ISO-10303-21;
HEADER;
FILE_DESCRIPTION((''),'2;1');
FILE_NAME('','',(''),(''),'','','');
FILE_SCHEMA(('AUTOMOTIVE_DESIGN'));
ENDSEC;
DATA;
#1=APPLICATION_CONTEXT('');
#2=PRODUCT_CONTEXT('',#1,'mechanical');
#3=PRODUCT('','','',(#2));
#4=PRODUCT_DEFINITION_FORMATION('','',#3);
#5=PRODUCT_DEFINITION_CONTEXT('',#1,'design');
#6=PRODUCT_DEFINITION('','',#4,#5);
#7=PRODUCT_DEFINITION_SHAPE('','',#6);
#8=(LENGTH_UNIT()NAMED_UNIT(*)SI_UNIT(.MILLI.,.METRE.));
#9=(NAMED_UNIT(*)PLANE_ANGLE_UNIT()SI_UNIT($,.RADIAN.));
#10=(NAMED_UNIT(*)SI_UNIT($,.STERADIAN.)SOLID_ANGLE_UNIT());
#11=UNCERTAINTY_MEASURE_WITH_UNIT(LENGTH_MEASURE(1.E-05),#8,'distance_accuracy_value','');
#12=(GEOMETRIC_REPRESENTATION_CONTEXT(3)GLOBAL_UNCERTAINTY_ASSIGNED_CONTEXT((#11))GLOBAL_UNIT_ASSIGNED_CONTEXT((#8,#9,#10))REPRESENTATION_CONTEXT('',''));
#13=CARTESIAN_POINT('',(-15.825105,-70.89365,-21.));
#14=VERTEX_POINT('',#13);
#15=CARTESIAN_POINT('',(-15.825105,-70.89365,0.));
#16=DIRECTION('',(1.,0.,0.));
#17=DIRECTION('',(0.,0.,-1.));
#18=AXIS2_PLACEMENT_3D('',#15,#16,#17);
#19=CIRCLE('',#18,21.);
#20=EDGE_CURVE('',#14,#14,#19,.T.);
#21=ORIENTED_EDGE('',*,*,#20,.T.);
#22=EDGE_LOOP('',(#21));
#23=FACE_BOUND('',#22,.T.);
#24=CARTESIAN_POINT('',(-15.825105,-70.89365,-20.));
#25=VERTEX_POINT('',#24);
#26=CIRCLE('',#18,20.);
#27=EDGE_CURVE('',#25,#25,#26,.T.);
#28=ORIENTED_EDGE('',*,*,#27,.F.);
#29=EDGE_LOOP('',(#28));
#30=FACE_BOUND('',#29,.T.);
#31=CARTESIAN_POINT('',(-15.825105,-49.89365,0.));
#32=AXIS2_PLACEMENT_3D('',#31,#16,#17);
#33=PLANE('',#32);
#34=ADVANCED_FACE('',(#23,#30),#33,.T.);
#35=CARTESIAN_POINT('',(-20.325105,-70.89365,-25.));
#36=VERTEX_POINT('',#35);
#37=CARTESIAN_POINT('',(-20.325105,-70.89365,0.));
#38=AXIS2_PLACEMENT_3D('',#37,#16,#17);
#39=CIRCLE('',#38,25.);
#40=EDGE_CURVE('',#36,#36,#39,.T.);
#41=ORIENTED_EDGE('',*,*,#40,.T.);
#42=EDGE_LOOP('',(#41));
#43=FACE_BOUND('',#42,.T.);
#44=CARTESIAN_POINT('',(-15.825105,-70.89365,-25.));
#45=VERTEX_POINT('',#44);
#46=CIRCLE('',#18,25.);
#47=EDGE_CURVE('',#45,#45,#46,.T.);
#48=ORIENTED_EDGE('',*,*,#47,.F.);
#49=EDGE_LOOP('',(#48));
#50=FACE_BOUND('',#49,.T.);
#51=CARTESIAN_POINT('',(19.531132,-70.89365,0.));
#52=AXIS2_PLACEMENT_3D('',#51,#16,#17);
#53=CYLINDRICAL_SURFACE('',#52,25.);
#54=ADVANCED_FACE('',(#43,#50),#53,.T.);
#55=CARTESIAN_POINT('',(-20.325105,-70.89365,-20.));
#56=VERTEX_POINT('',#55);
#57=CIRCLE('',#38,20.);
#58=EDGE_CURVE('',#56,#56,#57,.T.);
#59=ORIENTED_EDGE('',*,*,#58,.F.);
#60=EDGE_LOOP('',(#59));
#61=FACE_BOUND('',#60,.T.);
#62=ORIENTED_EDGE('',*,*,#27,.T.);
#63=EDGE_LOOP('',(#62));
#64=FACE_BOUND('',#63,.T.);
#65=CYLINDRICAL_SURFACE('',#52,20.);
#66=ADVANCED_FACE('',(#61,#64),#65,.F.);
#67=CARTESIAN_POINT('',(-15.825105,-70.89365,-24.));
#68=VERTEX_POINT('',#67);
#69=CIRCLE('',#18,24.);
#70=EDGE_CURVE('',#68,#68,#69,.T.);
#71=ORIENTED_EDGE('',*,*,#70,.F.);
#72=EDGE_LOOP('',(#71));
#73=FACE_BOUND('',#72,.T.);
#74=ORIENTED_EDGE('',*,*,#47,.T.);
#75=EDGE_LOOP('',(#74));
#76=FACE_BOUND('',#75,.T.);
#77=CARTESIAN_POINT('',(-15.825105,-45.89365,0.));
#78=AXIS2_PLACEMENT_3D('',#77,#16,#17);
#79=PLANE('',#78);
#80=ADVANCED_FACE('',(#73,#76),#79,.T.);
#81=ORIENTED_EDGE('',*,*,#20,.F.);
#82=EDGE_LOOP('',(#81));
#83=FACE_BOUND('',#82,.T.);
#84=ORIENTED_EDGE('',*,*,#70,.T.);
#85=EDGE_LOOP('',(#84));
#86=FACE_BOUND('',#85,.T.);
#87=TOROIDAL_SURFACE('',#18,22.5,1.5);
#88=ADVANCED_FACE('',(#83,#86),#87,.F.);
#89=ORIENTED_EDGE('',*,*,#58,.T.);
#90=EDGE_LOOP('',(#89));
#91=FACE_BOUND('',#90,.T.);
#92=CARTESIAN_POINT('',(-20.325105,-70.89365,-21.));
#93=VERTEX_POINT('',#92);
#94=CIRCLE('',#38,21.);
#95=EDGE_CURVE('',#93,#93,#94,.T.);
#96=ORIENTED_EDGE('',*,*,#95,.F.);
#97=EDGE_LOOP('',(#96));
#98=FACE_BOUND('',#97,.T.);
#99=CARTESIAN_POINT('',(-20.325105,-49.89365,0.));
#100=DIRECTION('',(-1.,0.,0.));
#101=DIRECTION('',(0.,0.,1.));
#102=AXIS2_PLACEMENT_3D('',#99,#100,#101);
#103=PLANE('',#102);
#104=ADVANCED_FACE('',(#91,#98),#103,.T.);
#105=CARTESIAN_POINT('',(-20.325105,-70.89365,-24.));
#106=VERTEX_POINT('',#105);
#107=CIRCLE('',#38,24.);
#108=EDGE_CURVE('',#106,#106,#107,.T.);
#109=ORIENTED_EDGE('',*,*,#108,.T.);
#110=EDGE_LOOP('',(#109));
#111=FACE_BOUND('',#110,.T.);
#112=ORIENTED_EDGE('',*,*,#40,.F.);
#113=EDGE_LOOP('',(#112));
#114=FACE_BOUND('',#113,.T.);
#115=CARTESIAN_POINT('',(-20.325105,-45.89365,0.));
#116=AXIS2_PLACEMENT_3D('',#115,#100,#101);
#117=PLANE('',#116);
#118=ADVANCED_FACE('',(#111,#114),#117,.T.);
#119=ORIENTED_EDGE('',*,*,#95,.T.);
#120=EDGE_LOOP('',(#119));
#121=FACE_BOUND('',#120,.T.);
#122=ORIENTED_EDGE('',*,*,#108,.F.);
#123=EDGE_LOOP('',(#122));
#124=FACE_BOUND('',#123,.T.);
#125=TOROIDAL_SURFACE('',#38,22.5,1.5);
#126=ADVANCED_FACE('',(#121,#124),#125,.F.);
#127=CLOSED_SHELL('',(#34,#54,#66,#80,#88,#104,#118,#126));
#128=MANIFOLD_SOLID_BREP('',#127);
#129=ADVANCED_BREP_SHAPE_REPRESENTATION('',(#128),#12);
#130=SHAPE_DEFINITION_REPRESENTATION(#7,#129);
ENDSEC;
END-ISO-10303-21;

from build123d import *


with BuildPart() as part:
    # Szkic1 → Obrót1 (revolve)
    with BuildSketch(Plane.XY, mode=Mode.PRIVATE) as obr_t1_sk:
        with BuildLine():
            Line((-15.825105288, -45.893649888), (-20.325105288, -45.893649888))
            Line((-20.325105288, -45.893649888), (-20.325105288, -46.893649888))
            ThreePointArc((-20.325105288, -46.893649888), (-18.825105288, -48.393649888), (-20.325105288, -49.893649888))
            Line((-20.325105288, -49.893649888), (-20.325105288, -50.893649888))
            Line((-20.325105288, -50.893649888), (-15.825105288, -50.893649888))
            Line((-15.825105288, -50.893649888), (-15.825105288, -49.893649888))
            ThreePointArc((-15.825105288, -49.893649888), (-17.325105288, -48.393649888), (-15.825105288, -46.893649888))
            Line((-15.825105288, -46.893649888), (-15.825105288, -45.893649888))
        make_face()
    revolve(obr_t1_sk.sketch.rotate(Axis((19.531131842, -70.893649888, 0), (-1, 0, 0)), 90), axis=Axis((19.531131842, -70.893649888, 0), (-1, 0, 0)))


solid = part.part
